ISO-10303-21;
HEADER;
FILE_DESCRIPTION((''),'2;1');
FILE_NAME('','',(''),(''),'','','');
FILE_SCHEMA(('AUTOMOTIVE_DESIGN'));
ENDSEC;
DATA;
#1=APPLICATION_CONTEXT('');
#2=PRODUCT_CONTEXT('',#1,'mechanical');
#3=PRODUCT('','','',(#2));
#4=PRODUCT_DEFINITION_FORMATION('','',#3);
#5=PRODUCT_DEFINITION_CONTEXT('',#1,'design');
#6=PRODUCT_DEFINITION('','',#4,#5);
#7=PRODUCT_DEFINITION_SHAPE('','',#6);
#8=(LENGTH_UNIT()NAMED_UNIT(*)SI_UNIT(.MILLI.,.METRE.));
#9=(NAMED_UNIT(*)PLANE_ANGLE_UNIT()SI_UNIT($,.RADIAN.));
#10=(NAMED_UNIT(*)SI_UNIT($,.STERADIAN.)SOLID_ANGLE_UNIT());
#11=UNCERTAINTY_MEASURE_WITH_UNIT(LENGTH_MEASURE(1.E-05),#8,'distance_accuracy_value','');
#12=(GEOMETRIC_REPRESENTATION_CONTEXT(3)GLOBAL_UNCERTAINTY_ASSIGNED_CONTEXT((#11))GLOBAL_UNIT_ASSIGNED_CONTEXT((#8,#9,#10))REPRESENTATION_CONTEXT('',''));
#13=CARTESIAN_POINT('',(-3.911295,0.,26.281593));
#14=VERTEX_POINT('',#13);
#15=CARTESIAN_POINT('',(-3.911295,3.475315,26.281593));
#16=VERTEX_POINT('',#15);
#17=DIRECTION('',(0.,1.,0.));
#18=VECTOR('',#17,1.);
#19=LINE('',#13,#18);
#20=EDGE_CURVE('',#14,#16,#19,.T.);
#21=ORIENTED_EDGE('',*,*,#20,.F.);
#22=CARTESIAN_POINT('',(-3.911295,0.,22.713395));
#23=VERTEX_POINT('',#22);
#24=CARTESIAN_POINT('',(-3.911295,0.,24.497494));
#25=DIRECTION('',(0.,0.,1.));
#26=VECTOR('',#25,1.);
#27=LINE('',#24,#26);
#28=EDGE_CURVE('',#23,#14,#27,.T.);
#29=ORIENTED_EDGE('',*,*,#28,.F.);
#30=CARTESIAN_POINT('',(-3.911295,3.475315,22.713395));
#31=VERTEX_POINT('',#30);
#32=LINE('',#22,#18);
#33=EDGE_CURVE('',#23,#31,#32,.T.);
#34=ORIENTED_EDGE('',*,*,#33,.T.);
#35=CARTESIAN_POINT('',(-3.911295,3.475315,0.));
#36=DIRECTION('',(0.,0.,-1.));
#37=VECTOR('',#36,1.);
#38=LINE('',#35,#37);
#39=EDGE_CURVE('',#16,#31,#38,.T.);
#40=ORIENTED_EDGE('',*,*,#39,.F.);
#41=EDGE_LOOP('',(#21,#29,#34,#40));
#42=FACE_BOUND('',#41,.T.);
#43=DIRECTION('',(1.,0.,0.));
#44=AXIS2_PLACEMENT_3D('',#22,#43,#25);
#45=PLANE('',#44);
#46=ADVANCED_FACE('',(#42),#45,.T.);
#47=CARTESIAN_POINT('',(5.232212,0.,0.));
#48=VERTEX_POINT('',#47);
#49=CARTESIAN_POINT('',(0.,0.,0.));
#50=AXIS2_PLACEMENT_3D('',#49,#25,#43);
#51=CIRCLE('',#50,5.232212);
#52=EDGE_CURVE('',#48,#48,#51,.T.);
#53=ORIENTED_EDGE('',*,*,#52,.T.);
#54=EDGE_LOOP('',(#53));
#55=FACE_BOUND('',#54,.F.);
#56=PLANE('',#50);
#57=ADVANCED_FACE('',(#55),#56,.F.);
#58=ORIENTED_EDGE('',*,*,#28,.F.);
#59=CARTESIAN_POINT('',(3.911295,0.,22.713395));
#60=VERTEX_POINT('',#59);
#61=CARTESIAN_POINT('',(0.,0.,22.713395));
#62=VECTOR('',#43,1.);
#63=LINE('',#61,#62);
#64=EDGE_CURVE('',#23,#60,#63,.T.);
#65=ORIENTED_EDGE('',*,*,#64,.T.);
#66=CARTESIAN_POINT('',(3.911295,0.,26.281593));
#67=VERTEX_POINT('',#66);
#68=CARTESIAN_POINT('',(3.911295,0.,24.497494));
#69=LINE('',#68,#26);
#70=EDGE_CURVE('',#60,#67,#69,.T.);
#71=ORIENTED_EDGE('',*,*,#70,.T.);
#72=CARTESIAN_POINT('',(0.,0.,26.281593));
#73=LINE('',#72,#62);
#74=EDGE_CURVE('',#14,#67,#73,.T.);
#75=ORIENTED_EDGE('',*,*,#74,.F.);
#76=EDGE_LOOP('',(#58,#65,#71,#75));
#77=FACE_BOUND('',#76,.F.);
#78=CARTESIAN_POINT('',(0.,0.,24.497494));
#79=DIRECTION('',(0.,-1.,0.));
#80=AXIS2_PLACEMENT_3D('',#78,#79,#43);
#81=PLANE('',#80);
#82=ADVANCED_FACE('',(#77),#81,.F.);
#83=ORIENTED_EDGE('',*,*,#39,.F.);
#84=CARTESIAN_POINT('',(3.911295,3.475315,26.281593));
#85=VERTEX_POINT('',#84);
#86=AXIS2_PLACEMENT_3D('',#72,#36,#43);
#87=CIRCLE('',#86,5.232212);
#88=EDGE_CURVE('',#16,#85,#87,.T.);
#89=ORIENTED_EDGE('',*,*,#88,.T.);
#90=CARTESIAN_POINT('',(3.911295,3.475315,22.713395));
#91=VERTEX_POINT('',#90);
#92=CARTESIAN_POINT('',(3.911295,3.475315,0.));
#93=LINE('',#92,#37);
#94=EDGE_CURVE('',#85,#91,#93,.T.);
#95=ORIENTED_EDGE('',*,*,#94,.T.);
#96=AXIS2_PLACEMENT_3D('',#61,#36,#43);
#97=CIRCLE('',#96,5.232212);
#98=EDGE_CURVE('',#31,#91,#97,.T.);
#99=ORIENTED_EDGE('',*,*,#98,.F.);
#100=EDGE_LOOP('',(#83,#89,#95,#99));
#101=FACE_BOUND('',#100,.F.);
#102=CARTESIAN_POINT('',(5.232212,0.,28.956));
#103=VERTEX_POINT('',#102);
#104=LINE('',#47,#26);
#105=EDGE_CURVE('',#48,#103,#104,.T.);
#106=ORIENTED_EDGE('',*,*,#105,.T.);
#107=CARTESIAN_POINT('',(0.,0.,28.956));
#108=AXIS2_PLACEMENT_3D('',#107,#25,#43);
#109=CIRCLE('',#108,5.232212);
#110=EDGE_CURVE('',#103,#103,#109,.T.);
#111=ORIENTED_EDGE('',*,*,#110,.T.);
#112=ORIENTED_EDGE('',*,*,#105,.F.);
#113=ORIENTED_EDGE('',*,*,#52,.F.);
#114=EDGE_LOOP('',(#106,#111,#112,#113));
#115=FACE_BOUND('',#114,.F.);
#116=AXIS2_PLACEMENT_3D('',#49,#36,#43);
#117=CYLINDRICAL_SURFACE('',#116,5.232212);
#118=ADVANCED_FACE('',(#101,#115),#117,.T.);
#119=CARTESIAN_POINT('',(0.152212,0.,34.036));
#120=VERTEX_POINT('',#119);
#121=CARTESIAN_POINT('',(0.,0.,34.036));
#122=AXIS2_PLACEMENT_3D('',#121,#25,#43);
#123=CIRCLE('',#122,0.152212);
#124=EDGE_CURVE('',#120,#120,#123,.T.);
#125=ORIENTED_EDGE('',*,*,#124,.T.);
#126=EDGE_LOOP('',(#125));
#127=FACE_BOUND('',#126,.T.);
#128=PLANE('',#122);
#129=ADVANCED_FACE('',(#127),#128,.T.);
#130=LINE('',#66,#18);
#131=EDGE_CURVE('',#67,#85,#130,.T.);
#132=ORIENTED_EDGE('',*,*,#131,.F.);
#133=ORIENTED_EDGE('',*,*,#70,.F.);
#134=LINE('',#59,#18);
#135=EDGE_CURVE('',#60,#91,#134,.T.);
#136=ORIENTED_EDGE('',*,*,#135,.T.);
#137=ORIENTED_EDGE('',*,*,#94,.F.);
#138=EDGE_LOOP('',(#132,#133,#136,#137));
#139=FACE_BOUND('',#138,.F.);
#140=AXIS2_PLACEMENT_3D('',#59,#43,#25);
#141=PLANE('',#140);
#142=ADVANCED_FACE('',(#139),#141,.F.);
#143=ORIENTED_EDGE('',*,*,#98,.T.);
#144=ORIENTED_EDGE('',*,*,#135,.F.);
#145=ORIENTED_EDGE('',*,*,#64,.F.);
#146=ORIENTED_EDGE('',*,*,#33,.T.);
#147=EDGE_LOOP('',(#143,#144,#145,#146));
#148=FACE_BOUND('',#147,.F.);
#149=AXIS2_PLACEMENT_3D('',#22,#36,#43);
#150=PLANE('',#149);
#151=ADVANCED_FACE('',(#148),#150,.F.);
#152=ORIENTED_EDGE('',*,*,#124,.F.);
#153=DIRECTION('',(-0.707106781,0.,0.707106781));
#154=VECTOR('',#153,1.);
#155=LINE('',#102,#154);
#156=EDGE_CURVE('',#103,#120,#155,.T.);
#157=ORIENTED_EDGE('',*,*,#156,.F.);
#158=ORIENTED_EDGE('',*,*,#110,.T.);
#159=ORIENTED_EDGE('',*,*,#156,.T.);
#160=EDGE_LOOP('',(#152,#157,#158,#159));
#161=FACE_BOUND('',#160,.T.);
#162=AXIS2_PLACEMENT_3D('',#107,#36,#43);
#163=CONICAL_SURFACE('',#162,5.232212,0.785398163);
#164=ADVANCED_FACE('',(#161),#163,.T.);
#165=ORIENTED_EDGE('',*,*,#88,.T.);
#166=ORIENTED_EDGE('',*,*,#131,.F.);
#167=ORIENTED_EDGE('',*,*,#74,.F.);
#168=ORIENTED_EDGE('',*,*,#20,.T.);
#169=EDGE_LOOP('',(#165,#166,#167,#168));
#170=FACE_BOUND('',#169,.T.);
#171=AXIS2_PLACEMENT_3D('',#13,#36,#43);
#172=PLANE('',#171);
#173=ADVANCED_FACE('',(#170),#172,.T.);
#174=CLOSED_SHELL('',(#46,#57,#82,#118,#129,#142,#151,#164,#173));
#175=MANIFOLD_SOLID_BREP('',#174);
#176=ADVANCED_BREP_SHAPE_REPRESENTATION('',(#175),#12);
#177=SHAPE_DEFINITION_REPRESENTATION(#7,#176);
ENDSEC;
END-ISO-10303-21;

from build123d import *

# Parameters (mm, degrees)
F0_R     = 5.232212
F1_DEPTH = 34.036
F2_SIZE  = 5.08
F3_W     = 7.82259
F3_H     = 3.568198
F4_DEPTH = 25.4


with BuildPart() as f1:
    # F0 (on Top) → F1 (new body)
    with BuildSketch(Plane.XY):
        Circle(F0_R)
    extrude(amount=F1_DEPTH)

    # F2
    f2_edges = [f1.edges().sort_by_distance(p)[0] for p in [
        (-5.232212, 0, 34.036),
    ]]
    chamfer(f2_edges, length=F2_SIZE)

    # F3 (on Front) → F4 (cut)
    with BuildSketch(Plane.XZ):
        with Locations((0, 24.497494)):
            Rectangle(F3_W, F3_H)
    extrude(amount=-F4_DEPTH, mode=Mode.SUBTRACT)


solid = f1.part
